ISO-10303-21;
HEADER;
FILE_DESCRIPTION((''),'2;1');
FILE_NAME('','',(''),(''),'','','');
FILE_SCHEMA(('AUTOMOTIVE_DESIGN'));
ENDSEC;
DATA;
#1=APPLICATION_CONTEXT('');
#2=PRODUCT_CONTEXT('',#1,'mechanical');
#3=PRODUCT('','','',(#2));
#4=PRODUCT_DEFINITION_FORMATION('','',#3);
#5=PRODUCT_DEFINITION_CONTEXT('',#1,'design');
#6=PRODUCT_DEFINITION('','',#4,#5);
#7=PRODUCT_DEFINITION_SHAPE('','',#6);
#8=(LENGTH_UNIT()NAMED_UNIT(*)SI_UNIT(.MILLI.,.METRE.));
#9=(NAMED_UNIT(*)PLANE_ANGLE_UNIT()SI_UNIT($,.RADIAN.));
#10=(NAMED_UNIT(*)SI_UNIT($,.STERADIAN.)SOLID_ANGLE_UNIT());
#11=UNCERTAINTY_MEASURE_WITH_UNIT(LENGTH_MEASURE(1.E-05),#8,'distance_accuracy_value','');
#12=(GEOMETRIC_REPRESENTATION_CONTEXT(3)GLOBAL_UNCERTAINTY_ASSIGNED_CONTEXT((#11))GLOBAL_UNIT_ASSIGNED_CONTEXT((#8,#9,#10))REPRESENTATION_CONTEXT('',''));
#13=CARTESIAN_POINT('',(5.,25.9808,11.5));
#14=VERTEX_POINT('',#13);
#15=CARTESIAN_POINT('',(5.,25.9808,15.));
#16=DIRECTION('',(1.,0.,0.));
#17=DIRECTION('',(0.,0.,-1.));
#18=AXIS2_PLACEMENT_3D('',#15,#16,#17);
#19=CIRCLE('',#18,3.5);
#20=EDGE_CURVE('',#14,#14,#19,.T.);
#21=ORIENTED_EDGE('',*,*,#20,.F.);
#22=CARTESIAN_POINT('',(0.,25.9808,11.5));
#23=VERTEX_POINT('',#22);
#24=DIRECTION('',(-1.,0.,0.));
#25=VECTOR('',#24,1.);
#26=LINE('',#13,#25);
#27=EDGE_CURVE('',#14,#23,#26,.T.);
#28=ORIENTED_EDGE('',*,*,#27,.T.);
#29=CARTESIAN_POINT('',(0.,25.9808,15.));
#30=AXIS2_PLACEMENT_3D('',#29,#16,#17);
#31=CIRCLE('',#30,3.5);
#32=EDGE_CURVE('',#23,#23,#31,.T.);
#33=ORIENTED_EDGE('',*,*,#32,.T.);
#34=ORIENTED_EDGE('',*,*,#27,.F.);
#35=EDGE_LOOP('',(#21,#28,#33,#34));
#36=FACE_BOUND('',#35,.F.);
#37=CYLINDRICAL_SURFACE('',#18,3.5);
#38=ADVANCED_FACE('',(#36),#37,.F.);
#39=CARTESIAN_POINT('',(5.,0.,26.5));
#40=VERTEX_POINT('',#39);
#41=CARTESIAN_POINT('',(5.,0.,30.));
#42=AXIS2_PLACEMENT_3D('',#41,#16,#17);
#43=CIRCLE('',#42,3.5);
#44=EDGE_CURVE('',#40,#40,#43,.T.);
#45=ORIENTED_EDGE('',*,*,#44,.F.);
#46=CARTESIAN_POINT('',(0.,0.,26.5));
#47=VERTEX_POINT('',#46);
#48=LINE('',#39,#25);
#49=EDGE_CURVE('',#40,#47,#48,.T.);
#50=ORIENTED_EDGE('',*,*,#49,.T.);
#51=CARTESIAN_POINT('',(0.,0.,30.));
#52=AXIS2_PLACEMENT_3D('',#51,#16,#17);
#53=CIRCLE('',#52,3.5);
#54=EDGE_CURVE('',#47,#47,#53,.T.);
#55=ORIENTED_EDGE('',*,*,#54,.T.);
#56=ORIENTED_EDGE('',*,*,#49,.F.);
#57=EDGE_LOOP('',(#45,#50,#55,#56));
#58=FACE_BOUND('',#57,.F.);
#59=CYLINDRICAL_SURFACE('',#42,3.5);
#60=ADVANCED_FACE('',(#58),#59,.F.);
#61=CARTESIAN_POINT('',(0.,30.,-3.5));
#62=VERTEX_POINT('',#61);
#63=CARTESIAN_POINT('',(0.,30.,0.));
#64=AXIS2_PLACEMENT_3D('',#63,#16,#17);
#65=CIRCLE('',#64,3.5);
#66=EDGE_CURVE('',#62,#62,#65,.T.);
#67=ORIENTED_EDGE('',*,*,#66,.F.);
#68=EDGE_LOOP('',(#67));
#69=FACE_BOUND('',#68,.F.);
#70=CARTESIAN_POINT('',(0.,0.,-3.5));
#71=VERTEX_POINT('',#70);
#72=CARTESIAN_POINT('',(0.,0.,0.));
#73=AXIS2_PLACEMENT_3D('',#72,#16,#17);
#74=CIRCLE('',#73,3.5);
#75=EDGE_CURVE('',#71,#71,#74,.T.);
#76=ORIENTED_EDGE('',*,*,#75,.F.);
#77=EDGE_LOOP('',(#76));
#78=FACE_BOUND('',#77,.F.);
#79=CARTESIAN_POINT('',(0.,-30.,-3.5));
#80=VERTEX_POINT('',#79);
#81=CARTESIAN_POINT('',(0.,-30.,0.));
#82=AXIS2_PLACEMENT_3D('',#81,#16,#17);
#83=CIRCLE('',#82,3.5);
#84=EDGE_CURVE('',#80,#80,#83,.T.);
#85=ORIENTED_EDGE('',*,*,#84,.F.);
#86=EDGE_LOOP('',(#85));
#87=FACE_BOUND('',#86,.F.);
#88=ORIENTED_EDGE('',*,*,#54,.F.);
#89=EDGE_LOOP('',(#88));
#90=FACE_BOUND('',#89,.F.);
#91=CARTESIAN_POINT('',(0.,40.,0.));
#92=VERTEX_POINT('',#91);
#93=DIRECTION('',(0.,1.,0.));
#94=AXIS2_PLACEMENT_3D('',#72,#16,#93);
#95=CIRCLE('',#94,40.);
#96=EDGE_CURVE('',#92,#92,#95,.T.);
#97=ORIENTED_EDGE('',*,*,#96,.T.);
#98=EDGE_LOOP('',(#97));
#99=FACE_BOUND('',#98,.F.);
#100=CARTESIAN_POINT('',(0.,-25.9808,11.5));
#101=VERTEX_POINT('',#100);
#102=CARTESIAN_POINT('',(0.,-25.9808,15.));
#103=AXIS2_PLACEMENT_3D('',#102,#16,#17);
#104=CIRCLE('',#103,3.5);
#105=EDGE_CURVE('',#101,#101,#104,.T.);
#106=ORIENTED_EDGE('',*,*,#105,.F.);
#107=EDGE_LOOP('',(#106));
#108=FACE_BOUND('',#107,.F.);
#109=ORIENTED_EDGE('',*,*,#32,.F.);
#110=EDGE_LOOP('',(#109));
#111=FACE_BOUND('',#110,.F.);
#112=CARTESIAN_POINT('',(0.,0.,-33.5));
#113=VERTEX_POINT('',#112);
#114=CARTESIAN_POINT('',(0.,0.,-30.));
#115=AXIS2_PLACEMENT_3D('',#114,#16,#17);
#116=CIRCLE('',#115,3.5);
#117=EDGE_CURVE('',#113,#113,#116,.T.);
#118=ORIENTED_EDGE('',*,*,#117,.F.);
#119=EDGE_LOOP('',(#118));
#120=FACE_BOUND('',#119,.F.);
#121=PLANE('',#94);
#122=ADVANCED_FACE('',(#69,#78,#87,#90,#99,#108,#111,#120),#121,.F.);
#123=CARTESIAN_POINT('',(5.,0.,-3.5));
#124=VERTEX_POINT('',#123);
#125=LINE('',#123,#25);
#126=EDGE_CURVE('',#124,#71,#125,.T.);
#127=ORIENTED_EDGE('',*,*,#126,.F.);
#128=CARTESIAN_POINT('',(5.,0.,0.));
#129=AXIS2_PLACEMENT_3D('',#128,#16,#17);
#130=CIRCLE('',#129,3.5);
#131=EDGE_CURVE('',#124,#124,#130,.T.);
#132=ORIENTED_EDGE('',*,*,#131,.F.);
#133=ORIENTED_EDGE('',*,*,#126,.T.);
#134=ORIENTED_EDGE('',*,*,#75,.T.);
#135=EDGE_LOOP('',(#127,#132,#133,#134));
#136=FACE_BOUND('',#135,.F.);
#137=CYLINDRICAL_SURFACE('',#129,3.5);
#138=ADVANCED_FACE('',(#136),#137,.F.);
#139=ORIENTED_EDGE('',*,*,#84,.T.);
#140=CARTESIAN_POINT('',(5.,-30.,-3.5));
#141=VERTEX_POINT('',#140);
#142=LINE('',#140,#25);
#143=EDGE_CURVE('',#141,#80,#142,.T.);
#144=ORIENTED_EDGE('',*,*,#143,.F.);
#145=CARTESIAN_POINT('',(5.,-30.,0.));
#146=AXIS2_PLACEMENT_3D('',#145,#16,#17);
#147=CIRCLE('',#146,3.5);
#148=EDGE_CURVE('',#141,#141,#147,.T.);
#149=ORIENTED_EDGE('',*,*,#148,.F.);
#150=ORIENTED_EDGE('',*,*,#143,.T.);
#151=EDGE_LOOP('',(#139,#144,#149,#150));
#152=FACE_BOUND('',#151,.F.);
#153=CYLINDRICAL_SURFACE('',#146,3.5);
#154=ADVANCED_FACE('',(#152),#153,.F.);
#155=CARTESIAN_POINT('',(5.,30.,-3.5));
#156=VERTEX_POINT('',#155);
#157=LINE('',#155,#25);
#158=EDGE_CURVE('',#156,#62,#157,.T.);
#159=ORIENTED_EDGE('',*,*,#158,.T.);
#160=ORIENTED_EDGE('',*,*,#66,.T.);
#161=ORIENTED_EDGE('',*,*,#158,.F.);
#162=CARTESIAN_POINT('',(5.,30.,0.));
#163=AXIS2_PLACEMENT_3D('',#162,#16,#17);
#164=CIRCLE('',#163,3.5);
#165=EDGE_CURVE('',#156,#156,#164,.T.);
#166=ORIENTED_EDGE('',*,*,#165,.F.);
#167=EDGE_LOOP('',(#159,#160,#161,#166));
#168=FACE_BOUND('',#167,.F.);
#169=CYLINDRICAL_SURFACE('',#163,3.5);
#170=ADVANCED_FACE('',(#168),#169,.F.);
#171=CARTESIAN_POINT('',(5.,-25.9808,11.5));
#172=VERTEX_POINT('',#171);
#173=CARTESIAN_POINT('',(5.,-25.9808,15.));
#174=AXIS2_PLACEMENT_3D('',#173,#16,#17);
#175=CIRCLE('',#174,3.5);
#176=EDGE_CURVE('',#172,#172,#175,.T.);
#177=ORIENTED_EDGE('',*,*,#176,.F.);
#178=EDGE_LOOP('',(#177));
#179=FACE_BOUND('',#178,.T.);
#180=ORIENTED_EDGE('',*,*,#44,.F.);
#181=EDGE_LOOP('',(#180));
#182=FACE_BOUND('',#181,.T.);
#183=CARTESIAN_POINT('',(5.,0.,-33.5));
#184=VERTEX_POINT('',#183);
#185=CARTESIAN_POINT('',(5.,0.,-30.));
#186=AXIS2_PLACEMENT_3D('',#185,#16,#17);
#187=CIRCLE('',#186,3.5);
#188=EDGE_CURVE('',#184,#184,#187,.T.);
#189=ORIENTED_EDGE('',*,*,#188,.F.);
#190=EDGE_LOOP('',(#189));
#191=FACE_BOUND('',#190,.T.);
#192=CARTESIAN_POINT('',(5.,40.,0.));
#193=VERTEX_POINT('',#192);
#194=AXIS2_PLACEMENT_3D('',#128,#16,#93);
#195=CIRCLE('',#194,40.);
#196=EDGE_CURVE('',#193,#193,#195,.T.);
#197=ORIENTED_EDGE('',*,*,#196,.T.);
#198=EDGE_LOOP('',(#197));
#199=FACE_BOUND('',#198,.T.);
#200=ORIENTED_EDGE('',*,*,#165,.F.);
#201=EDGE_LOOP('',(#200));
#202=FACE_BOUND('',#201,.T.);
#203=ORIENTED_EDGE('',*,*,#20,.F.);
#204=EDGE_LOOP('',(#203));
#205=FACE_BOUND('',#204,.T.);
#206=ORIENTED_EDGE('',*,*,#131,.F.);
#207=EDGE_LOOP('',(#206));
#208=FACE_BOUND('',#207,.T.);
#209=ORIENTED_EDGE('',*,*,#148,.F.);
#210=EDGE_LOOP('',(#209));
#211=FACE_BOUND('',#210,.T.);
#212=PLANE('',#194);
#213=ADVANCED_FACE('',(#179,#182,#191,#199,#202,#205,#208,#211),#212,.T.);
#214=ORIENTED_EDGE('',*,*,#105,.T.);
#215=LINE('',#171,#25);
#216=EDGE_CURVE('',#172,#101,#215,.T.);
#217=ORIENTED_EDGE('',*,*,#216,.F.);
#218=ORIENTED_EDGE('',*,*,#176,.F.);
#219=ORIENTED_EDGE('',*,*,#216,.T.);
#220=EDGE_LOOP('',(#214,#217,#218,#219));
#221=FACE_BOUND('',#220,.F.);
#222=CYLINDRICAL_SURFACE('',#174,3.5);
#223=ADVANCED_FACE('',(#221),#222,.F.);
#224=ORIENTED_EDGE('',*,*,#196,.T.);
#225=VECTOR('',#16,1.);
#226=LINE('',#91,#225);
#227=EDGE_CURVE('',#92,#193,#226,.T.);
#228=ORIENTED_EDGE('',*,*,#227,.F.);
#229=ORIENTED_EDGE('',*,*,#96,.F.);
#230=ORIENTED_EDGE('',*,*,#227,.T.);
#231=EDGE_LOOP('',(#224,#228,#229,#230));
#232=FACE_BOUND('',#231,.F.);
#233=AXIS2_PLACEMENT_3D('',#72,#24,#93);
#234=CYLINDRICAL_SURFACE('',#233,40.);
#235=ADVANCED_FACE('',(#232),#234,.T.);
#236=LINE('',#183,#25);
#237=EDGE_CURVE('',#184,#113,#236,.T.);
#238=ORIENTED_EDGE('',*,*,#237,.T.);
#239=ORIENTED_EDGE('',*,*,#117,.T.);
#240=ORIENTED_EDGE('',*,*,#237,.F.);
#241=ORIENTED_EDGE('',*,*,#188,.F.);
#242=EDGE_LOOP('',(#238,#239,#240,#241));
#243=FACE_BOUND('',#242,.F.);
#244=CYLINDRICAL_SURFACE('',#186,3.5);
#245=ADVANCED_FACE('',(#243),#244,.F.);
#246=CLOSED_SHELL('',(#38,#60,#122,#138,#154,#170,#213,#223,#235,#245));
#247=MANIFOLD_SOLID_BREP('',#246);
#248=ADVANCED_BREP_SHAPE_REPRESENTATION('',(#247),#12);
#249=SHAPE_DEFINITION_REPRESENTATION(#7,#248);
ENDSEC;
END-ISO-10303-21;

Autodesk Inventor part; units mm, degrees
ref_plane "YZ Plane" through (0, 0, 0) normal (1, 0, 0) x (0, 1, 0)
ref_plane "XZ Plane" through (0, 0, 0) normal (0, 1, 0) x (-1, 0, 0)
ref_plane "XY Plane" through (0, 0, 0) normal (0, 0, 1) x (1, 0, 0)
sketch "Sketch1" plane through (0, 0, 0) normal (1, 0, 0) x (0, 1, 0)
  circle A0 centre (0, 0) radius 40
  dimension "d0" = 80
extrude "Extrusion1" add sketch "Sketch1" along normal blind 5
sketch "Sketch2" plane through (5, 0, 0) normal (1, 0, 0) x (0, 0, -1)
  circle A0 centre (30, 0) radius 3.5
  circle A1 centre (0, 0) radius 3.5
  circle A2 centre (0, 30) radius 3.5
  circle A3 centre (-30, 0) radius 3.5
  circle A4 centre (0, -30) radius 3.5
  circle A5 centre (-15, 25.9808) radius 3.5
  circle A6 centre (-15, -25.9808) radius 3.5
  dimension "d3" = 7
  dimension "d4" = 30
  dimension "d5" = 7
  dimension "d8" = 360
  dimension "d12" = 360
extrude "Extrusion2" cut sketch "Sketch2" against normal through all
properties part number "end effector Plate"
